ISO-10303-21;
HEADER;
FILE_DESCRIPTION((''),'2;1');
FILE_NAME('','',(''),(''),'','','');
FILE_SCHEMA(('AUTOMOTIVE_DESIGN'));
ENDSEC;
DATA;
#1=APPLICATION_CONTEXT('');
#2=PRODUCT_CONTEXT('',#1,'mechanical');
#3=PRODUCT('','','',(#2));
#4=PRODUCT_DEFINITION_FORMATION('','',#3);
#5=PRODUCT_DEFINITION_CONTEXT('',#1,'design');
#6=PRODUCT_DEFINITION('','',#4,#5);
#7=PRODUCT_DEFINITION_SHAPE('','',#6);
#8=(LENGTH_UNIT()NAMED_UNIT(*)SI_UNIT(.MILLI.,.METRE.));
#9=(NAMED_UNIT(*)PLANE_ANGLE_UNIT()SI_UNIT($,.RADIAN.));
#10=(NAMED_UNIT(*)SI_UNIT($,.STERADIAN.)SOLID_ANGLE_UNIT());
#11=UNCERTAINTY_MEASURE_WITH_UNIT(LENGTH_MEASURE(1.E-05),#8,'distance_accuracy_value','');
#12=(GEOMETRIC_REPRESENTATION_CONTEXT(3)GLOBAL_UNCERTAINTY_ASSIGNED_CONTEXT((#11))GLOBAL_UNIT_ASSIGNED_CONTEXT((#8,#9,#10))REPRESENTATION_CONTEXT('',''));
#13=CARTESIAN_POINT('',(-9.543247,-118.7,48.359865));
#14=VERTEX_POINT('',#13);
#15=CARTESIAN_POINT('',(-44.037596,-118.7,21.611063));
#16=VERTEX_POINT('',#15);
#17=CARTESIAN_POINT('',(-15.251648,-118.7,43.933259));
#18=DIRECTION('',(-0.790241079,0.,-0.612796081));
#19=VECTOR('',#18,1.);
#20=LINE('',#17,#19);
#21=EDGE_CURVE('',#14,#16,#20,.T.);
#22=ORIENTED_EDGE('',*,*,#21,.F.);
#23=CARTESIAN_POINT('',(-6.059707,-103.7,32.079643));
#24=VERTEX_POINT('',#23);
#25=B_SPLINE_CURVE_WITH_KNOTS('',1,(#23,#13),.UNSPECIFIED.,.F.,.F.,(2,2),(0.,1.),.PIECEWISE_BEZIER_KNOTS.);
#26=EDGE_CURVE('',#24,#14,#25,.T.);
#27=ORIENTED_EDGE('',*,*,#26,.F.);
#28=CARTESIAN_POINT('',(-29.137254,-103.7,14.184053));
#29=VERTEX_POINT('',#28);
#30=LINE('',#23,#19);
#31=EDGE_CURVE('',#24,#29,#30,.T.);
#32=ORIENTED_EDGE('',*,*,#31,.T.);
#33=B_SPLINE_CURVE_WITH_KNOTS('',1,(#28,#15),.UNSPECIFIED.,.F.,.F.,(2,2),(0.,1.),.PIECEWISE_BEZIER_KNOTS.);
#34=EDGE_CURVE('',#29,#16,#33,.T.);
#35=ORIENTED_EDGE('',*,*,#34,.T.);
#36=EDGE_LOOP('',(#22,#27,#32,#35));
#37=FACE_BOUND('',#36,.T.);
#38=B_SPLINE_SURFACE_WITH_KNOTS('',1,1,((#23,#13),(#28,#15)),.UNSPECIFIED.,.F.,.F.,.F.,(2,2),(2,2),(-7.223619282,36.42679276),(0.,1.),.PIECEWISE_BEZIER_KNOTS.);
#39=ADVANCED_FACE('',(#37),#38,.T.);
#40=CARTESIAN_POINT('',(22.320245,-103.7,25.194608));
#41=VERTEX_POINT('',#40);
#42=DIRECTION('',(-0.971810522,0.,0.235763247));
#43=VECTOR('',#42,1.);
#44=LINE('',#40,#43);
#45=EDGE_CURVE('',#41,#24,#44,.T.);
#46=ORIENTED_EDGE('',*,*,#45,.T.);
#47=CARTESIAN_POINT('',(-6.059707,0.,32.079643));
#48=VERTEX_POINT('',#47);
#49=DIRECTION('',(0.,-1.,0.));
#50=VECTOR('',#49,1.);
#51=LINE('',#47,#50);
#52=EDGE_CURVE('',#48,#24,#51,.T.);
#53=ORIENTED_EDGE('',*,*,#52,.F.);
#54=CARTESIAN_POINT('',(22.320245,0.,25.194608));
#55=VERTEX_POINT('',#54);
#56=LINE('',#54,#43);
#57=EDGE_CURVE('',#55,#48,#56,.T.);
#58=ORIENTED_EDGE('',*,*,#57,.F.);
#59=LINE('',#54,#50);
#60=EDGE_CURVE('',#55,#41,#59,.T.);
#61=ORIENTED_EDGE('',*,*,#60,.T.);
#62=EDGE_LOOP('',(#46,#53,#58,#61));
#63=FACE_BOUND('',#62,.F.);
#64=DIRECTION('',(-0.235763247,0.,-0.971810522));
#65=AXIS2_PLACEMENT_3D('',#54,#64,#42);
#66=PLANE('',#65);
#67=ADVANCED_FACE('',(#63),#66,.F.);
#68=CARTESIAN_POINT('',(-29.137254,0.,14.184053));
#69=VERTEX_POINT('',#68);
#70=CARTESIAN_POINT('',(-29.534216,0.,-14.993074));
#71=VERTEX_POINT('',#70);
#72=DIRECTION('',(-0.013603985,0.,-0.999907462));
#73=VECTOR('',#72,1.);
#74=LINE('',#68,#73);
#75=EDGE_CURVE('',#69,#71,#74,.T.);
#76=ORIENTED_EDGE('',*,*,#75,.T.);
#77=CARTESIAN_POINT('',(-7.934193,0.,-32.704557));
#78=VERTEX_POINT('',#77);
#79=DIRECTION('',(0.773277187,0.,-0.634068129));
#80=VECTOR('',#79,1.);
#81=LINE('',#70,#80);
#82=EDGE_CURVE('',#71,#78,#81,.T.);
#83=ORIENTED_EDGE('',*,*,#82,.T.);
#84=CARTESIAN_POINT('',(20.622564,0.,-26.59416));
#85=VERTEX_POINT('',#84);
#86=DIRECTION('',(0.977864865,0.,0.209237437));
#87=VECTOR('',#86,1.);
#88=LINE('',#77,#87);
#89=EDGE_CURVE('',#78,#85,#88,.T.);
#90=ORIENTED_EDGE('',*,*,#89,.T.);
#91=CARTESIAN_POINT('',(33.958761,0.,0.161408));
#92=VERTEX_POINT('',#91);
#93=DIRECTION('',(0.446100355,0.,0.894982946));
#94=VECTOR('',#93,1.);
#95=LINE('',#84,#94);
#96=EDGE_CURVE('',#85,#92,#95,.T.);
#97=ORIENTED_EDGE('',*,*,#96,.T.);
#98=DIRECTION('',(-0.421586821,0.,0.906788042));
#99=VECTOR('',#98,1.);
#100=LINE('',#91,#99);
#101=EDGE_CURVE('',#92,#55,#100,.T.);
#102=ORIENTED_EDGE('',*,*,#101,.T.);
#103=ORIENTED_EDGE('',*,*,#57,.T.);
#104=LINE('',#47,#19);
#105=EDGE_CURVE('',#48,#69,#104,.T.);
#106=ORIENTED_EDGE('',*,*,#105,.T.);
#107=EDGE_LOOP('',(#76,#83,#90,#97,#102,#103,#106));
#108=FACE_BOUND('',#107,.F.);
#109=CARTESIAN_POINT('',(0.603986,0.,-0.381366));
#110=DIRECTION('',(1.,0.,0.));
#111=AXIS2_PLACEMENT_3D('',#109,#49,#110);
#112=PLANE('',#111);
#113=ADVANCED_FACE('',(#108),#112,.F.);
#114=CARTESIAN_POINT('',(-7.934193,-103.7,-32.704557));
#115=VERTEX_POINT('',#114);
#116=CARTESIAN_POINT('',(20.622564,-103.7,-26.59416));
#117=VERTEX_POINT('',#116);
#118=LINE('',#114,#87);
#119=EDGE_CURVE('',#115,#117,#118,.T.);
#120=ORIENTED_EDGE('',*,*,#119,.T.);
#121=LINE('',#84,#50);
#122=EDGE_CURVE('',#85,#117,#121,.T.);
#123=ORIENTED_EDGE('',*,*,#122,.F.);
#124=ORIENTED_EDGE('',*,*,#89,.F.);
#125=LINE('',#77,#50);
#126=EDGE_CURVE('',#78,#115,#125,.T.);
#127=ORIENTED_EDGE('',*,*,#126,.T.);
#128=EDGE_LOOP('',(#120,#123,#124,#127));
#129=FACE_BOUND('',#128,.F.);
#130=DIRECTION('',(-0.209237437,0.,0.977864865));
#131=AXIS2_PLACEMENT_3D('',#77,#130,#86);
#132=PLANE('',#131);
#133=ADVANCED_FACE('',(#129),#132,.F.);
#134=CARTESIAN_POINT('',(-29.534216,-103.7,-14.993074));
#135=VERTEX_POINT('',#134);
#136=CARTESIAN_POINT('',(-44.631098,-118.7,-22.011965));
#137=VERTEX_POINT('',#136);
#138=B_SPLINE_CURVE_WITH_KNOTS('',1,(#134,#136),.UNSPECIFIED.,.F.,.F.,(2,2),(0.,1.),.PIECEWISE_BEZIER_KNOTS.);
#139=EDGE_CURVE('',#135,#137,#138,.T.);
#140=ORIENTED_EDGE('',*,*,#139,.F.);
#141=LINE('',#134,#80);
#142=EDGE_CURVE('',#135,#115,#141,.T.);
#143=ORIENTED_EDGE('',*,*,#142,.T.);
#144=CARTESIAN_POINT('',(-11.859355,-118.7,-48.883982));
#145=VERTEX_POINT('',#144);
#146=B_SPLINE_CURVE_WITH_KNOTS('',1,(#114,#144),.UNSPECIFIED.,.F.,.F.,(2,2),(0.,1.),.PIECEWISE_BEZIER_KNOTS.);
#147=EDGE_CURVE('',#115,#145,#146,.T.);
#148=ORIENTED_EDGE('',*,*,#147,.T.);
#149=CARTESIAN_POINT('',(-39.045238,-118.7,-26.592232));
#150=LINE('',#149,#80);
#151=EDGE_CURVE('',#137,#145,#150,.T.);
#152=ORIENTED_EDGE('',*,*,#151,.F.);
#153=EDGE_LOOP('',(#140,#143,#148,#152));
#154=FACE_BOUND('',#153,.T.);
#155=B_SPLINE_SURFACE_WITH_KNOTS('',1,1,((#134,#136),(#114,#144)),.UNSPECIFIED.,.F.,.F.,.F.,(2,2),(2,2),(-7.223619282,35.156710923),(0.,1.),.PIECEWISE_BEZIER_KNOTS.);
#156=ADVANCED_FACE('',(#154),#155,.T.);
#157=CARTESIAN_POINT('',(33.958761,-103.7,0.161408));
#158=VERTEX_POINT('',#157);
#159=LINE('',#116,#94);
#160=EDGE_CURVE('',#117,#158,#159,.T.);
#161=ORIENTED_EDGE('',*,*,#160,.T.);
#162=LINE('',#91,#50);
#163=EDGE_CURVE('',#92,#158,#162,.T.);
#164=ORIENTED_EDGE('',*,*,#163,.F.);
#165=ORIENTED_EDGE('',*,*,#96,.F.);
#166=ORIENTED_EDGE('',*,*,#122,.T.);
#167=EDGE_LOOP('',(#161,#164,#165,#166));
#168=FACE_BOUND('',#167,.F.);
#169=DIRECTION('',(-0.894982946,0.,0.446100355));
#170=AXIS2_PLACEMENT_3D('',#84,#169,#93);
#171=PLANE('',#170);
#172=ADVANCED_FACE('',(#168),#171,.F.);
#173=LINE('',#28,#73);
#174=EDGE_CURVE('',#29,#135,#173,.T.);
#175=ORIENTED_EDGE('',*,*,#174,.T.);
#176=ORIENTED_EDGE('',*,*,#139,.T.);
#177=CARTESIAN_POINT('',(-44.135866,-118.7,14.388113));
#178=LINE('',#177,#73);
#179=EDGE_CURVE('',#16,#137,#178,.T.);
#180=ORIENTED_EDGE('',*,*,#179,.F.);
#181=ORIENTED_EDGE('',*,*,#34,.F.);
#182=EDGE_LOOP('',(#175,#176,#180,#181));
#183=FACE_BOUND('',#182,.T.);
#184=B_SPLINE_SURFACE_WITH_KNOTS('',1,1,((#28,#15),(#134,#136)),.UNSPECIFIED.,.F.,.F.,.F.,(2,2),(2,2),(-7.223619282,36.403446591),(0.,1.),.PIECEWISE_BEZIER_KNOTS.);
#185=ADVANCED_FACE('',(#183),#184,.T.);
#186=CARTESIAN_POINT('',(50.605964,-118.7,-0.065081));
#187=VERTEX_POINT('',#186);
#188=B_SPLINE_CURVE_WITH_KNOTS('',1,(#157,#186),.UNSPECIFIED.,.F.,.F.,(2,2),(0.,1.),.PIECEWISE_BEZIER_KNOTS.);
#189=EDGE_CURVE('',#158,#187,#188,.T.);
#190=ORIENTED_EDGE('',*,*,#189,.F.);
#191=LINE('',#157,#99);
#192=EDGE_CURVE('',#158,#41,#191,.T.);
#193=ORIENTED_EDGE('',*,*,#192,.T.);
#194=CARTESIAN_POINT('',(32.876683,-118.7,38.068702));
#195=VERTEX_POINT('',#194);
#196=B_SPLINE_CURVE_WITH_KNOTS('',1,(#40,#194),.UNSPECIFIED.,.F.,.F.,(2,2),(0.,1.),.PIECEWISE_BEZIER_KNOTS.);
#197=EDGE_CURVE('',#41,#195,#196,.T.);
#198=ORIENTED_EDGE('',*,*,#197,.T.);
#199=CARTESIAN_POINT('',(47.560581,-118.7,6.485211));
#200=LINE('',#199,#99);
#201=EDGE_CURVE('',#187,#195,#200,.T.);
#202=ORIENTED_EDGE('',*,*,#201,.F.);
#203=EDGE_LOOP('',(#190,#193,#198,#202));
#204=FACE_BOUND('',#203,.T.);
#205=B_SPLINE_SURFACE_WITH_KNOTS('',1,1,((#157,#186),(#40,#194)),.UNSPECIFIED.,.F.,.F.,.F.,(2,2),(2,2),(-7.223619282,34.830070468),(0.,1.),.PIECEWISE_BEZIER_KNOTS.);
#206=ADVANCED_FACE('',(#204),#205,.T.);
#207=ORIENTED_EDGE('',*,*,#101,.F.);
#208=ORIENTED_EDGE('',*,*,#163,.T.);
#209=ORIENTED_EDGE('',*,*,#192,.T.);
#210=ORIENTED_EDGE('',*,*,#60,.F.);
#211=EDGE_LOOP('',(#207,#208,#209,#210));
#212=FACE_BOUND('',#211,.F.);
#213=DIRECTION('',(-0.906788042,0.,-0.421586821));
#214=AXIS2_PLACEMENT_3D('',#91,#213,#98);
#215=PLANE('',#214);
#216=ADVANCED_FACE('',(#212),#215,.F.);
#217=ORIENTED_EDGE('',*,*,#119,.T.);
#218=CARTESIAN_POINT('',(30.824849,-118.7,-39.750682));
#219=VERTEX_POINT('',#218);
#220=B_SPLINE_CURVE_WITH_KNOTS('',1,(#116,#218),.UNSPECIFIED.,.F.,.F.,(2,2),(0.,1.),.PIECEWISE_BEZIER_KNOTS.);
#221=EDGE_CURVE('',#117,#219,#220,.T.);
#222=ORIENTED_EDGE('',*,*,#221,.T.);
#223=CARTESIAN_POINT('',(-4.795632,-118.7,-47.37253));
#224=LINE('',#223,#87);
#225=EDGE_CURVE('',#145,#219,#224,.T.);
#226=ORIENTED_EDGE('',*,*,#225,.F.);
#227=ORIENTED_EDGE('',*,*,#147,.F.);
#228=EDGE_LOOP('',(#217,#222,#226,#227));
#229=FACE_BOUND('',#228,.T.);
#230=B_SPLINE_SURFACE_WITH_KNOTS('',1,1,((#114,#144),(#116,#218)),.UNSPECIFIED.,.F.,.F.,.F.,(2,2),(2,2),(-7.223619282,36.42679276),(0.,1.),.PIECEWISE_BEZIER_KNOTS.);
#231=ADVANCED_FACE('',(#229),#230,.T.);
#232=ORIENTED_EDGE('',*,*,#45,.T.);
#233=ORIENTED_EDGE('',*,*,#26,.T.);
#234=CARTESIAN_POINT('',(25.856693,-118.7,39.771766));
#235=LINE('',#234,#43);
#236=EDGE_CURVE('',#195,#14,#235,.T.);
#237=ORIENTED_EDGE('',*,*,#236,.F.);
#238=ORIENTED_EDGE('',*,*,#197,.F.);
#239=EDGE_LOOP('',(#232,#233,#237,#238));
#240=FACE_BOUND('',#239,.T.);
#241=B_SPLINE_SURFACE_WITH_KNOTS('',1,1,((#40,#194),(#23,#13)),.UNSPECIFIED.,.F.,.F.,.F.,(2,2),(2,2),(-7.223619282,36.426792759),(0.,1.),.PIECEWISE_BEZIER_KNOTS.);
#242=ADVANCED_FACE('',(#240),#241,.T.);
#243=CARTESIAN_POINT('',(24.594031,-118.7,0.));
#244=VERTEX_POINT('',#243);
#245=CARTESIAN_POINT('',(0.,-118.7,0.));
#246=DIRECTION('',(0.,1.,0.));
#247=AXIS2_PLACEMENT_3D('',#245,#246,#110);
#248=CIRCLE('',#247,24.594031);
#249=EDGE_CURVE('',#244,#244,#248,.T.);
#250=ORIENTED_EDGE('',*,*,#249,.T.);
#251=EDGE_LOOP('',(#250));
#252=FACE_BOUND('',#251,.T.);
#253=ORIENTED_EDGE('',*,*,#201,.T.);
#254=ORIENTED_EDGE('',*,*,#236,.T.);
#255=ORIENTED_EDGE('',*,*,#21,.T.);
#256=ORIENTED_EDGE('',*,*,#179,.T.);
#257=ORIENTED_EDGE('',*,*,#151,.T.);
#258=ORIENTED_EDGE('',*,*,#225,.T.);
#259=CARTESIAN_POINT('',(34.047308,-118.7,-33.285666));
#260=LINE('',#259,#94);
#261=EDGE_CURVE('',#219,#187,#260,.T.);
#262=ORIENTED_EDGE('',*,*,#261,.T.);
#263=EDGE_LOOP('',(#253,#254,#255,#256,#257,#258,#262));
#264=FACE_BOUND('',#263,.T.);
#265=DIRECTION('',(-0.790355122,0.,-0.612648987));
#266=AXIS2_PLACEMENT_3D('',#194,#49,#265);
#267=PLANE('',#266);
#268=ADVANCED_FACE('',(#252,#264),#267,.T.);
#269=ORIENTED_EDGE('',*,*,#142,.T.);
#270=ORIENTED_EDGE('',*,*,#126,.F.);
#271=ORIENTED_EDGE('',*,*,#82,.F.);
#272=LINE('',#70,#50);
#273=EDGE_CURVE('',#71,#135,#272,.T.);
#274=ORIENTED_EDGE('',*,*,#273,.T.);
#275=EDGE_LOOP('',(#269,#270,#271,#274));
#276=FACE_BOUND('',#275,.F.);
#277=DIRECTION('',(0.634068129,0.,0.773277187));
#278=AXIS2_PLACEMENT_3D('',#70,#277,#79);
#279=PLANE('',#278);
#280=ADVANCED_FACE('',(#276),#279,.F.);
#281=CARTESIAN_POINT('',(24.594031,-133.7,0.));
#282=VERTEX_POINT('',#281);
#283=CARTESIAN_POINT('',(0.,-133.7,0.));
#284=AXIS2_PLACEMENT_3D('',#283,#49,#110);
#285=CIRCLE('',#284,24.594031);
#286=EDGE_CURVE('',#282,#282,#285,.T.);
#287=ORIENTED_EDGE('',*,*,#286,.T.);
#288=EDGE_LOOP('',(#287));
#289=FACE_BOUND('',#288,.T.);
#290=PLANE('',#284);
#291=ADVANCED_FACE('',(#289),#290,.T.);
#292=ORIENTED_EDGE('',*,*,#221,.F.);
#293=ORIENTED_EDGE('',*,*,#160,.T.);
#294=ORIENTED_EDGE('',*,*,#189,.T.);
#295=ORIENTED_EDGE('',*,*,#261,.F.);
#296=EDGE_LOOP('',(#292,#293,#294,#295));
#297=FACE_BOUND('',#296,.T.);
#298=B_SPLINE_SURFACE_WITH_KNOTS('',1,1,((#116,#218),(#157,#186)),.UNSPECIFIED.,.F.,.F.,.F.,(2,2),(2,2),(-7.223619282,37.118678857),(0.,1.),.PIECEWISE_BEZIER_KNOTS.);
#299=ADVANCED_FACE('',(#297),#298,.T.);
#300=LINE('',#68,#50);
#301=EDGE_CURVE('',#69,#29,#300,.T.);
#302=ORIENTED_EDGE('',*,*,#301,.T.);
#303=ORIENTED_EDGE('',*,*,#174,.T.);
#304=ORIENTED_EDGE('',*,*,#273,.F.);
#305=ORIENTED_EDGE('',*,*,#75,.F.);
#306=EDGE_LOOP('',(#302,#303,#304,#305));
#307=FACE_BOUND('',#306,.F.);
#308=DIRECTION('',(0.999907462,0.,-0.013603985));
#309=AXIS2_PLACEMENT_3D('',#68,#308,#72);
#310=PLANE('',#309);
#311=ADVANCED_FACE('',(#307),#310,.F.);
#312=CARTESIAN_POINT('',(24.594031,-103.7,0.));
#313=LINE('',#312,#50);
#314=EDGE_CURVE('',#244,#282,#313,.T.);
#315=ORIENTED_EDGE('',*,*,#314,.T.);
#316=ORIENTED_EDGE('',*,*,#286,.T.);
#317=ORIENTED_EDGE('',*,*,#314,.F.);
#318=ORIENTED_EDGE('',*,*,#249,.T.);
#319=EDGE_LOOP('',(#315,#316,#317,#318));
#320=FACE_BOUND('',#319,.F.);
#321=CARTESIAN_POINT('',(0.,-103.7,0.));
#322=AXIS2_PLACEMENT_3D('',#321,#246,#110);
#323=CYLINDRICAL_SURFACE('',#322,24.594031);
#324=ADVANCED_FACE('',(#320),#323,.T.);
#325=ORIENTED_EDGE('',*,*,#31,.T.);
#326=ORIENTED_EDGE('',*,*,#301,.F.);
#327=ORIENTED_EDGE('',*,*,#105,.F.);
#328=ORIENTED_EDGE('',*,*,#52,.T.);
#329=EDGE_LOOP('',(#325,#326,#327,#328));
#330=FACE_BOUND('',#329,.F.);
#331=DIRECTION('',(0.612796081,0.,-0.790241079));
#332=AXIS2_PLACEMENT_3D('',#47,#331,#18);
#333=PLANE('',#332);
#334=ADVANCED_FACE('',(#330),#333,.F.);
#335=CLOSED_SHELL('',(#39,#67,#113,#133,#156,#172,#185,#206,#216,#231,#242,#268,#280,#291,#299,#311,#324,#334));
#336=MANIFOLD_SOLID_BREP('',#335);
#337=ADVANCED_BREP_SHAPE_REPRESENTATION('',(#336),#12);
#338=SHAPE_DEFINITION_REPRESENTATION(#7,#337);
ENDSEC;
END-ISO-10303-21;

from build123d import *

# Parameters (mm, degrees)
F1_DEPTH  = 103.7
F2_R      = 24.5940307027
F3_DEPTH  = 30
F1_FACE_R = 24.5940307027
F4_DEPTH  = 15
F4_TAPER  = -45


with BuildPart() as f1:
    # F0 (on Front) → F1 (new body)
    with BuildSketch(Plane.XZ):
        Polygon((22.3202445945, 25.194608101), (-6.0597066768, 32.0796431042), (-29.137253995, 14.1840528394), (-29.5342159325, -14.9930742126), (-7.9341934053, -32.7045573648), (20.6225638938, -26.5941601835), (33.9587605911, 0.1614082956), align=None)
    extrude(amount=F1_DEPTH)

    # F2 (on face) → F3 (join)
    with BuildSketch(Plane.XZ.offset(103.7)):
        Circle(F2_R)
    extrude(amount=F3_DEPTH)

    # F1_face (on face) → F4 (join)
    with BuildSketch(Plane(origin=(0.6027987413, -103.7, -0.3810429476), x_dir=(1, 0, 0), z_dir=(0, -1, 0))):
        Polygon((21.7174458532, 25.5756510486), (-6.662505418, 32.4606860518), (-29.7400527363, 14.565095787), (-30.1370146738, -14.612031265), (-8.5369921466, -32.3235144172), (20.0197651525, -26.2131172359), (33.3559618499, 0.5424512432), align=None)
        with Locations((-0.6027987413, 0.3810429476)):
            Circle(F1_FACE_R, mode=Mode.SUBTRACT)
    extrude(amount=F4_DEPTH, taper=F4_TAPER)


solid = f1.part
